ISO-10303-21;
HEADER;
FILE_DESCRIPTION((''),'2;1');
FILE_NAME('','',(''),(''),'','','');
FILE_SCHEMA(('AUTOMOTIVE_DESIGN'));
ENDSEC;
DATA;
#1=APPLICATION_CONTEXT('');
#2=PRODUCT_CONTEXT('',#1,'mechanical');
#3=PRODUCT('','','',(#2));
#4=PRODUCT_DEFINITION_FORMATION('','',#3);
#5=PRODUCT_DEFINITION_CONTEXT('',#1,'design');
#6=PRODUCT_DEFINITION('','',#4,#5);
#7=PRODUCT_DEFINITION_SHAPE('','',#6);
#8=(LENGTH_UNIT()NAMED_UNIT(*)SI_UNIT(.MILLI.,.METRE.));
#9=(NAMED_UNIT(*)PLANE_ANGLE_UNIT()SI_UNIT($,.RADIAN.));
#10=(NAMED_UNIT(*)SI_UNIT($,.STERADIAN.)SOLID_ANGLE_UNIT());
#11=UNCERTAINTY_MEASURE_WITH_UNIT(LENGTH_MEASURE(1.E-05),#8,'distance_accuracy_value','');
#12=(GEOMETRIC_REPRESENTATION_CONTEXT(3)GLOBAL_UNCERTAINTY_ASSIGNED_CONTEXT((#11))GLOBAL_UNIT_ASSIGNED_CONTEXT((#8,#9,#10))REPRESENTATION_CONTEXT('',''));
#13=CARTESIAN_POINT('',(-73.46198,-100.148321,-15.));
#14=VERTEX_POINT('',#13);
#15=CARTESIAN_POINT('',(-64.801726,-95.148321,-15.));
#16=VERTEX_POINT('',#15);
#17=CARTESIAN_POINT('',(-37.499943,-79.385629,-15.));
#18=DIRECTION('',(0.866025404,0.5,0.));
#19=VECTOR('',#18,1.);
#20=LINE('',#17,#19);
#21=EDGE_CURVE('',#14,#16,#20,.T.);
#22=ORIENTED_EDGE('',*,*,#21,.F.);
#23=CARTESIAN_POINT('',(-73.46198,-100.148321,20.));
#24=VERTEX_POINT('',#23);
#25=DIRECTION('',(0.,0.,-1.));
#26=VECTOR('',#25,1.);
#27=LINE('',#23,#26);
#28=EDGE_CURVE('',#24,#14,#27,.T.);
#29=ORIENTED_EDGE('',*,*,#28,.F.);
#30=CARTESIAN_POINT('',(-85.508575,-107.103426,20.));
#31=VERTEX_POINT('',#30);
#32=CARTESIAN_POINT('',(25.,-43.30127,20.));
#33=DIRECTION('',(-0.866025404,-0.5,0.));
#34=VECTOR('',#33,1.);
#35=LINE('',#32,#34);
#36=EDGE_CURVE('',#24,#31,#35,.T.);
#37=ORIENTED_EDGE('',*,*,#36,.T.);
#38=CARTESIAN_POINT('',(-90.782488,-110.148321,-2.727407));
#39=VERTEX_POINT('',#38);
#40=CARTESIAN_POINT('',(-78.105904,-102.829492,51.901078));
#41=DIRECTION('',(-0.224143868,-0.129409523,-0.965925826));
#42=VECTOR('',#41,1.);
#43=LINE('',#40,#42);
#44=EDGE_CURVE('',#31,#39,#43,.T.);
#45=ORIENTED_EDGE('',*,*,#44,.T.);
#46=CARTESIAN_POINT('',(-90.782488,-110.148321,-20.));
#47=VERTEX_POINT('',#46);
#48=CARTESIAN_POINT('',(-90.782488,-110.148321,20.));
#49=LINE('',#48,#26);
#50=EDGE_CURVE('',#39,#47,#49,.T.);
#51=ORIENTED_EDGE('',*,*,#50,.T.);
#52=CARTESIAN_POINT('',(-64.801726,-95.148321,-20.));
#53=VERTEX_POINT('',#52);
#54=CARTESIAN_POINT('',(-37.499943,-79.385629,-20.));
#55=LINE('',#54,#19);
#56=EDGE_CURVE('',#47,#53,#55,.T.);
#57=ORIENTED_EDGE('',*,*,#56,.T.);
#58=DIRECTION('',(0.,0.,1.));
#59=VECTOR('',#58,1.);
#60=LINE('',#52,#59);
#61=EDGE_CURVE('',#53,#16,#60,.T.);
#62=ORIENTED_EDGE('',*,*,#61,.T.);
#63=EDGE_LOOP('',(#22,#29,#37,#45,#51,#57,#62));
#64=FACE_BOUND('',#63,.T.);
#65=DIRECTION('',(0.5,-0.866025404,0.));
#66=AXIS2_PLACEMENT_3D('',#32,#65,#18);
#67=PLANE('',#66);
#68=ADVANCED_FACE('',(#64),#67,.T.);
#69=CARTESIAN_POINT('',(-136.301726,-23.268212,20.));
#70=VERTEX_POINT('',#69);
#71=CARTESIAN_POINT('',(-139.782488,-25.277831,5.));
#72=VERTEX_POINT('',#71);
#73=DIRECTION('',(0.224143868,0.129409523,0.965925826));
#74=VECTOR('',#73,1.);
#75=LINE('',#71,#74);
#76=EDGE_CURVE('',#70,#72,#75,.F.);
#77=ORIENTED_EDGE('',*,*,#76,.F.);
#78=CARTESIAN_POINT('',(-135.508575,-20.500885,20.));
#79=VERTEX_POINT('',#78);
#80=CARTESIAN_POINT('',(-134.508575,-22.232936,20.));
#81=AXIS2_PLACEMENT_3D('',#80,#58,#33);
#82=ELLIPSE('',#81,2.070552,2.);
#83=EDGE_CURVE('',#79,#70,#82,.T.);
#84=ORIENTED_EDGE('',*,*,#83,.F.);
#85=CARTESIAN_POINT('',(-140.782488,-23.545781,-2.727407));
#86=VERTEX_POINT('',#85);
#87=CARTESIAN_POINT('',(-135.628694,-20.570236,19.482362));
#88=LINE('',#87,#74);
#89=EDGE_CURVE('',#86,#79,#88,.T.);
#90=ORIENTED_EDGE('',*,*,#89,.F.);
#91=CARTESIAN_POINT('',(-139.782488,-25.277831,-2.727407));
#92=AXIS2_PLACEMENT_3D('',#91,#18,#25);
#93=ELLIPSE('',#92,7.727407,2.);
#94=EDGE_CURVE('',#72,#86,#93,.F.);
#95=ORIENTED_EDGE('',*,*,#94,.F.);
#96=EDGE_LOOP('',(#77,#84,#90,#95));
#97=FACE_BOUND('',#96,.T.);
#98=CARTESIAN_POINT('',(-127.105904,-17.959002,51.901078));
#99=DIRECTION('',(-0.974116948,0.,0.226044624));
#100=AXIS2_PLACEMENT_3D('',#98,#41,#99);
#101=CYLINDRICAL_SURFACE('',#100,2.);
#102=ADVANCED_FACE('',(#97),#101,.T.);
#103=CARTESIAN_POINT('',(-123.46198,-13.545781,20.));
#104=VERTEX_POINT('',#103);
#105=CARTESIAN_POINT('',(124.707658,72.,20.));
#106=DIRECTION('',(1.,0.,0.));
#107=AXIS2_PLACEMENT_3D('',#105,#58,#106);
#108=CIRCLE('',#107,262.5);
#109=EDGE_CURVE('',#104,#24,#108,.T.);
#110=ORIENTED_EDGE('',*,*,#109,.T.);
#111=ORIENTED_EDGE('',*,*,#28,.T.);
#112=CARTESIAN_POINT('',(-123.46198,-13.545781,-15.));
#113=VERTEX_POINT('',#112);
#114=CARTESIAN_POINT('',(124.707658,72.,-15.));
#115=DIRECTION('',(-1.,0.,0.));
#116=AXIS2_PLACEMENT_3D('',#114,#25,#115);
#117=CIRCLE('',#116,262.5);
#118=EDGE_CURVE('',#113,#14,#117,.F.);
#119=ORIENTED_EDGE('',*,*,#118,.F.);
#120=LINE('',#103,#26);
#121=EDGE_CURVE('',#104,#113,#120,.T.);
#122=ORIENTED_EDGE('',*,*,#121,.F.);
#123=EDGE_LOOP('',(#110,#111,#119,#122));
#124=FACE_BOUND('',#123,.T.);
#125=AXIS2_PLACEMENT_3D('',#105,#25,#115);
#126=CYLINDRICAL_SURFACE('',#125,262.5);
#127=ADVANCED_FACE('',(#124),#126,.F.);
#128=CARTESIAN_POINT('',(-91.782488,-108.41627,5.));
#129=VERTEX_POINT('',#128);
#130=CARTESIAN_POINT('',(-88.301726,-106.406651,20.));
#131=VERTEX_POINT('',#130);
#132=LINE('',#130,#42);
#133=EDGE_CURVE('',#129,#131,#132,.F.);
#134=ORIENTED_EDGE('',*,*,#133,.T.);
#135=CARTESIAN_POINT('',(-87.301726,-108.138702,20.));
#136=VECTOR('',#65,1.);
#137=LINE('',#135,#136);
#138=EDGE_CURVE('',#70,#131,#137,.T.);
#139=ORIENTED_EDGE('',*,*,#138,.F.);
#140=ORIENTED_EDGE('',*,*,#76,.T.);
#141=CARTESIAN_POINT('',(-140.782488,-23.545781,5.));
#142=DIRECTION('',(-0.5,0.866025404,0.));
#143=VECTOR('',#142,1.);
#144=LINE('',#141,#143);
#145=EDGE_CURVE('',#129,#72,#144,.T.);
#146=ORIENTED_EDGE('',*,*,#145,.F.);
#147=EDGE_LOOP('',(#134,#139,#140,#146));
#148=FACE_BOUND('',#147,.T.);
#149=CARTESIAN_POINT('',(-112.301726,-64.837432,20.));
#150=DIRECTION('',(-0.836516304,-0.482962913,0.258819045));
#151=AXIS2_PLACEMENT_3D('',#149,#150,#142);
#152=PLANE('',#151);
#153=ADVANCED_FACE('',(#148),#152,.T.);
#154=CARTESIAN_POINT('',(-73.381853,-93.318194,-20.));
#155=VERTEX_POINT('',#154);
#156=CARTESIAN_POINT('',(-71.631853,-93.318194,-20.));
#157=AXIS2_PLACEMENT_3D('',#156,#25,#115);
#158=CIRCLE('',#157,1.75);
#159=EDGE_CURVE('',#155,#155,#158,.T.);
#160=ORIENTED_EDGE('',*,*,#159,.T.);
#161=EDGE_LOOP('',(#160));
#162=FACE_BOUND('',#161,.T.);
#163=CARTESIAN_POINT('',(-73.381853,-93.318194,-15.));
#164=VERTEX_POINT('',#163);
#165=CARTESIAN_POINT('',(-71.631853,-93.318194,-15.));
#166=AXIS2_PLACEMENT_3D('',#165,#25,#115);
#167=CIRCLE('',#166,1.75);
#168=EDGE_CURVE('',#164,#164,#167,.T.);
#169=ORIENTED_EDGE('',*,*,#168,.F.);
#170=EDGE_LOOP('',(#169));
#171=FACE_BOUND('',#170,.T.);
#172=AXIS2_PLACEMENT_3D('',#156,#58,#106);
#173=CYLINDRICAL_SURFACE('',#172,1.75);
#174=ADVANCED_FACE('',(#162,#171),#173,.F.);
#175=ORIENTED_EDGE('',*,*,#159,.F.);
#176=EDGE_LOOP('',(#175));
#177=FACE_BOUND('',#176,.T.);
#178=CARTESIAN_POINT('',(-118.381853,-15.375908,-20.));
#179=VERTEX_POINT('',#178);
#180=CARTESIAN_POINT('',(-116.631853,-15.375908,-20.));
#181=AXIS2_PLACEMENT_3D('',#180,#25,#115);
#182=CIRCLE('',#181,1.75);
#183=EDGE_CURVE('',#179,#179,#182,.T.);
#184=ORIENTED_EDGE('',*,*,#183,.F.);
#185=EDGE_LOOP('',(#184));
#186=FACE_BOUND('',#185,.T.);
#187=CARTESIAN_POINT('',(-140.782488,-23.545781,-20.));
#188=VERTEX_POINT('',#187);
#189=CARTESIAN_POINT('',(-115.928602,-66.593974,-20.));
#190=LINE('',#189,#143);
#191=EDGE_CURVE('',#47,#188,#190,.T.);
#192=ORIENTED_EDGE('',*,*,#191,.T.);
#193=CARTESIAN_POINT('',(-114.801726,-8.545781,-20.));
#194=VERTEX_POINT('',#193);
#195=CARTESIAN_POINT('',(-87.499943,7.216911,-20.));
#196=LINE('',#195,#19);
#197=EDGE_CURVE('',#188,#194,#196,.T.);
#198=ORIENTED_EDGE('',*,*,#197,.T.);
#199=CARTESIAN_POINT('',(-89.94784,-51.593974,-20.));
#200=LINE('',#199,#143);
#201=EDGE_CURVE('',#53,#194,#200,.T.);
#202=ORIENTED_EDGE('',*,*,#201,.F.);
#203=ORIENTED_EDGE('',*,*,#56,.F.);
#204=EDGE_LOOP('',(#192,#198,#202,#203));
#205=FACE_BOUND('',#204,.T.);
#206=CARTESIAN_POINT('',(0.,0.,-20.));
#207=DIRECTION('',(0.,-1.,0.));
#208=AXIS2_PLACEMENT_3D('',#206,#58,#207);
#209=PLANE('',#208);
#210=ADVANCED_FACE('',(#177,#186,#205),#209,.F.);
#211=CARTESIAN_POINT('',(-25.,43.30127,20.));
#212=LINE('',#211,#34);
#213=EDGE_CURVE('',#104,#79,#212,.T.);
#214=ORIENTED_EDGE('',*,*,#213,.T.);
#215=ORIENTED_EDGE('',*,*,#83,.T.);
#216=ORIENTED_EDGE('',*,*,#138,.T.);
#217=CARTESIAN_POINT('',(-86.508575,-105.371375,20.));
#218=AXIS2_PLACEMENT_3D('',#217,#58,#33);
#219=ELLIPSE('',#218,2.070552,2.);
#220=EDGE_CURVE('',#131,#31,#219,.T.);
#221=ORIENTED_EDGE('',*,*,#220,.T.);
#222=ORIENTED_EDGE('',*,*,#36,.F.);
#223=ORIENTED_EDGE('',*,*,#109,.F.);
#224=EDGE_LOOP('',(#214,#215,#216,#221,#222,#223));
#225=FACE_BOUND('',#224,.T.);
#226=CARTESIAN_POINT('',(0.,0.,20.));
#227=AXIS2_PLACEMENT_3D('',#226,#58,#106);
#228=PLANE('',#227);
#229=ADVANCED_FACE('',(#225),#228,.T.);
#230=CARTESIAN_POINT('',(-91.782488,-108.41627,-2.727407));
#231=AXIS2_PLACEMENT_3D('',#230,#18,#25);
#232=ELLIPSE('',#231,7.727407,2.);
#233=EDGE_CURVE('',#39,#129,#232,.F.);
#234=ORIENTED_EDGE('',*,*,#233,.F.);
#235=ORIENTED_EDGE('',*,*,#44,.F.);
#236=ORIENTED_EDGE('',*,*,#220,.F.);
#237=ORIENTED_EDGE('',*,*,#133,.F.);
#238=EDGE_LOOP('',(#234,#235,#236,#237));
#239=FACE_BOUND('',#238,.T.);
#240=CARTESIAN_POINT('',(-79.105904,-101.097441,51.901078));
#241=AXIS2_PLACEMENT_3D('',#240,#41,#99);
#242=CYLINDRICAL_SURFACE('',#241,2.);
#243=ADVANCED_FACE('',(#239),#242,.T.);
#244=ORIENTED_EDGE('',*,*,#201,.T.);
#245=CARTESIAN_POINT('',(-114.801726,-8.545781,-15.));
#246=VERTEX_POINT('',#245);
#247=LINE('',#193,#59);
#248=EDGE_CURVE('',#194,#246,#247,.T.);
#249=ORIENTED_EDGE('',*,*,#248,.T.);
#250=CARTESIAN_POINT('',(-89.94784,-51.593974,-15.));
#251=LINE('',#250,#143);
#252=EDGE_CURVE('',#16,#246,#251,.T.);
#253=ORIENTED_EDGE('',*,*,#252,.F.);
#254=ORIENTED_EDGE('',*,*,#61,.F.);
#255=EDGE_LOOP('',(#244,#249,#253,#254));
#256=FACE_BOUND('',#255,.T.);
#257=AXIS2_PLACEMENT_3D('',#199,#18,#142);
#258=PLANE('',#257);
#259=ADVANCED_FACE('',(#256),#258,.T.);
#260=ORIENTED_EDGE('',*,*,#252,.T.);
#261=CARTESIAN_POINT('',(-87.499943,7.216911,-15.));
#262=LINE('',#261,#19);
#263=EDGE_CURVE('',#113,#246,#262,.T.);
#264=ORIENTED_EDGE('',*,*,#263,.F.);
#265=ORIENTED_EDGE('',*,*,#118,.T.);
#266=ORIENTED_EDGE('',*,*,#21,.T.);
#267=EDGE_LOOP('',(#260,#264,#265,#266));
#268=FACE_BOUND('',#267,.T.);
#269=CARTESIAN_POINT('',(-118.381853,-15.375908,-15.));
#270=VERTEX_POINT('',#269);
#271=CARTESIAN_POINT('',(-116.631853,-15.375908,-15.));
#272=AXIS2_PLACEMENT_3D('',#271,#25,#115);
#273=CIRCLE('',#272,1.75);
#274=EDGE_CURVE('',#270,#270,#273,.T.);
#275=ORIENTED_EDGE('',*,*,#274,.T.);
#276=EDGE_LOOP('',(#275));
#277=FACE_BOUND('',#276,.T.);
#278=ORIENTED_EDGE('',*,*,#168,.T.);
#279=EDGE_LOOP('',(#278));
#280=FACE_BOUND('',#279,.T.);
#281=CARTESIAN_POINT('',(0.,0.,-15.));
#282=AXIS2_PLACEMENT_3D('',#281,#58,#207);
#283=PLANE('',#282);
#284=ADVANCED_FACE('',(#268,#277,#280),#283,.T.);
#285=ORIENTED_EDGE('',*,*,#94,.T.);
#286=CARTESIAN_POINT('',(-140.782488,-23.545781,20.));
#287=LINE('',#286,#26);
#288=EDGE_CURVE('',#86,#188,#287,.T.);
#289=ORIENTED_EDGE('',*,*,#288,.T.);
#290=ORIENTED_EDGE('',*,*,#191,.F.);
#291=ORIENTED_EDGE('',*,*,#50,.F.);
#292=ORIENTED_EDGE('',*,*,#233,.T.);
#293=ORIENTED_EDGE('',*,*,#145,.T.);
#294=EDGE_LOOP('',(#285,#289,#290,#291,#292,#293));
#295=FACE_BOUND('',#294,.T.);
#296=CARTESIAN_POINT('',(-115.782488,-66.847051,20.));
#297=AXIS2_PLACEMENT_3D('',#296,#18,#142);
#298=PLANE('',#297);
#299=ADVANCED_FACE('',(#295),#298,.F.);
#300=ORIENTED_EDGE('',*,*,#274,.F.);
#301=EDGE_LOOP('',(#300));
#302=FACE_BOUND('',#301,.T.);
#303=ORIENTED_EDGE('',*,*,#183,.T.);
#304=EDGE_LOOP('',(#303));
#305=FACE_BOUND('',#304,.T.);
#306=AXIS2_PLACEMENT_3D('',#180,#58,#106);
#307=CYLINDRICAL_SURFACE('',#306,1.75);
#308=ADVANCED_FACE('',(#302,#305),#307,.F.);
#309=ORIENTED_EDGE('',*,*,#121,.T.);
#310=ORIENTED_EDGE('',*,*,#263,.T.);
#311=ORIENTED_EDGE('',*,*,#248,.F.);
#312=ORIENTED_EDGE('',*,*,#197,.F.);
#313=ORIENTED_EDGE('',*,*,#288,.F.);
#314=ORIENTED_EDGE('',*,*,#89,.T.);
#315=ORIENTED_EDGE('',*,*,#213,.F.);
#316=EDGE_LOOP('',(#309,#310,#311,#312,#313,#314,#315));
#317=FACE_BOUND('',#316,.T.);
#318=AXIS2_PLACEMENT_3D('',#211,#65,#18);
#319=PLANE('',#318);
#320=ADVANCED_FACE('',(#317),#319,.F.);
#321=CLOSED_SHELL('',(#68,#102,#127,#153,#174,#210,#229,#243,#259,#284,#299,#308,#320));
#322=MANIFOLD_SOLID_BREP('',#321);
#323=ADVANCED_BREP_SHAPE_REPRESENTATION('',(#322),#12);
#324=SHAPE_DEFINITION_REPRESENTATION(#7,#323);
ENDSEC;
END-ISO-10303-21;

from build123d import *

# Parameters (mm, degrees)
BOSS_EXTRUDE1_DEPTH      = 20
BOSS_EXTRUDE1_DEPTH_BACK = 15
BOSS_EXTRUDE2_START      = -20
SKETCH1_3_R              = 1.75
BOSS_EXTRUDE2_DEPTH      = 5
CHAMFER1_SIZE            = 15
CHAMFER1_SIZE2           = 4.019237886
FILLET1_R                = 2


with BuildPart() as part:
    # Sketch1 → Boss-Extrude1 (new, two sides: drawn at the far end of the back side and taken through both)
    with BuildSketch(Plane.XY.offset(-BOSS_EXTRUDE1_DEPTH_BACK)):
        with BuildLine():
            ThreePointArc((-73.461980247, -100.14832099), (-102.624010348, -59.25), (-123.461980247, -13.545780611))
            Line((-123.461980247, -13.545780611), (-140.782488323, -23.545780611))
            Line((-140.782488323, -23.545780611), (-90.782488323, -110.14832099))
            Line((-90.782488323, -110.14832099), (-73.461980247, -100.14832099))
        make_face()
    extrude(amount=BOSS_EXTRUDE1_DEPTH + BOSS_EXTRUDE1_DEPTH_BACK)

    # Sketch1<3> → Boss-Extrude2 (add)
    # profile 1 of 2: a face of its own
    with BuildSketch(Plane.XY.offset(BOSS_EXTRUDE2_START)):
        with BuildLine():
            ThreePointArc((-73.461980247, -100.14832099), (-102.624010348, -59.25), (-123.461980247, -13.545780611))
            Line((-123.461980247, -13.545780611), (-140.782488323, -23.545780611))
            Line((-140.782488323, -23.545780611), (-90.782488323, -110.14832099))
            Line((-90.782488323, -110.14832099), (-73.461980247, -100.14832099))
        make_face()
    # profile 2 of 2: a face of its own
    with BuildSketch(Plane.XY.offset(BOSS_EXTRUDE2_START)):
        with BuildLine():
            Line((-114.801726209, -8.545780611), (-123.461980247, -13.545780611))
            ThreePointArc((-123.461980247, -13.545780611), (-102.624010348, -59.25), (-73.461980247, -100.14832099))
            Line((-73.461980247, -100.14832099), (-64.801726209, -95.14832099))
            Line((-64.801726209, -95.14832099), (-114.801726209, -8.545780611))
        make_face()
        with Locations(Location((-71.631853228, -93.318193971, 0), (0, 0, 180))):
            Circle(SKETCH1_3_R, mode=Mode.SUBTRACT)
        with Locations(Location((-116.631853228, -15.37590763, 0), (0, 0, 180))):
            Circle(SKETCH1_3_R, mode=Mode.SUBTRACT)
    extrude(amount=BOSS_EXTRUDE2_DEPTH)

    # Chamfer1
    chamfer1_edges = [part.edges().sort_by_distance(p)[0] for p in [
        (-115.782488323, -66.847050801, 20),
    ]]
    chamfer1_side = [part.faces().sort_by_distance(p)[0] for p in [
        (-115.782488323, -66.847050801, 0),
    ]]
    chamfer(chamfer1_edges, length=CHAMFER1_SIZE, length2=CHAMFER1_SIZE2, reference=chamfer1_side[0])

    # Fillet1
    fillet1_edges = [part.edges().sort_by_distance(p)[0] for p in [
        (-89.042107266, -109.143511518, 12.5),
        (-139.042107266, -22.54097114, 12.5),
    ]]
    fillet(fillet1_edges, radius=FILLET1_R)


solid = part.part
